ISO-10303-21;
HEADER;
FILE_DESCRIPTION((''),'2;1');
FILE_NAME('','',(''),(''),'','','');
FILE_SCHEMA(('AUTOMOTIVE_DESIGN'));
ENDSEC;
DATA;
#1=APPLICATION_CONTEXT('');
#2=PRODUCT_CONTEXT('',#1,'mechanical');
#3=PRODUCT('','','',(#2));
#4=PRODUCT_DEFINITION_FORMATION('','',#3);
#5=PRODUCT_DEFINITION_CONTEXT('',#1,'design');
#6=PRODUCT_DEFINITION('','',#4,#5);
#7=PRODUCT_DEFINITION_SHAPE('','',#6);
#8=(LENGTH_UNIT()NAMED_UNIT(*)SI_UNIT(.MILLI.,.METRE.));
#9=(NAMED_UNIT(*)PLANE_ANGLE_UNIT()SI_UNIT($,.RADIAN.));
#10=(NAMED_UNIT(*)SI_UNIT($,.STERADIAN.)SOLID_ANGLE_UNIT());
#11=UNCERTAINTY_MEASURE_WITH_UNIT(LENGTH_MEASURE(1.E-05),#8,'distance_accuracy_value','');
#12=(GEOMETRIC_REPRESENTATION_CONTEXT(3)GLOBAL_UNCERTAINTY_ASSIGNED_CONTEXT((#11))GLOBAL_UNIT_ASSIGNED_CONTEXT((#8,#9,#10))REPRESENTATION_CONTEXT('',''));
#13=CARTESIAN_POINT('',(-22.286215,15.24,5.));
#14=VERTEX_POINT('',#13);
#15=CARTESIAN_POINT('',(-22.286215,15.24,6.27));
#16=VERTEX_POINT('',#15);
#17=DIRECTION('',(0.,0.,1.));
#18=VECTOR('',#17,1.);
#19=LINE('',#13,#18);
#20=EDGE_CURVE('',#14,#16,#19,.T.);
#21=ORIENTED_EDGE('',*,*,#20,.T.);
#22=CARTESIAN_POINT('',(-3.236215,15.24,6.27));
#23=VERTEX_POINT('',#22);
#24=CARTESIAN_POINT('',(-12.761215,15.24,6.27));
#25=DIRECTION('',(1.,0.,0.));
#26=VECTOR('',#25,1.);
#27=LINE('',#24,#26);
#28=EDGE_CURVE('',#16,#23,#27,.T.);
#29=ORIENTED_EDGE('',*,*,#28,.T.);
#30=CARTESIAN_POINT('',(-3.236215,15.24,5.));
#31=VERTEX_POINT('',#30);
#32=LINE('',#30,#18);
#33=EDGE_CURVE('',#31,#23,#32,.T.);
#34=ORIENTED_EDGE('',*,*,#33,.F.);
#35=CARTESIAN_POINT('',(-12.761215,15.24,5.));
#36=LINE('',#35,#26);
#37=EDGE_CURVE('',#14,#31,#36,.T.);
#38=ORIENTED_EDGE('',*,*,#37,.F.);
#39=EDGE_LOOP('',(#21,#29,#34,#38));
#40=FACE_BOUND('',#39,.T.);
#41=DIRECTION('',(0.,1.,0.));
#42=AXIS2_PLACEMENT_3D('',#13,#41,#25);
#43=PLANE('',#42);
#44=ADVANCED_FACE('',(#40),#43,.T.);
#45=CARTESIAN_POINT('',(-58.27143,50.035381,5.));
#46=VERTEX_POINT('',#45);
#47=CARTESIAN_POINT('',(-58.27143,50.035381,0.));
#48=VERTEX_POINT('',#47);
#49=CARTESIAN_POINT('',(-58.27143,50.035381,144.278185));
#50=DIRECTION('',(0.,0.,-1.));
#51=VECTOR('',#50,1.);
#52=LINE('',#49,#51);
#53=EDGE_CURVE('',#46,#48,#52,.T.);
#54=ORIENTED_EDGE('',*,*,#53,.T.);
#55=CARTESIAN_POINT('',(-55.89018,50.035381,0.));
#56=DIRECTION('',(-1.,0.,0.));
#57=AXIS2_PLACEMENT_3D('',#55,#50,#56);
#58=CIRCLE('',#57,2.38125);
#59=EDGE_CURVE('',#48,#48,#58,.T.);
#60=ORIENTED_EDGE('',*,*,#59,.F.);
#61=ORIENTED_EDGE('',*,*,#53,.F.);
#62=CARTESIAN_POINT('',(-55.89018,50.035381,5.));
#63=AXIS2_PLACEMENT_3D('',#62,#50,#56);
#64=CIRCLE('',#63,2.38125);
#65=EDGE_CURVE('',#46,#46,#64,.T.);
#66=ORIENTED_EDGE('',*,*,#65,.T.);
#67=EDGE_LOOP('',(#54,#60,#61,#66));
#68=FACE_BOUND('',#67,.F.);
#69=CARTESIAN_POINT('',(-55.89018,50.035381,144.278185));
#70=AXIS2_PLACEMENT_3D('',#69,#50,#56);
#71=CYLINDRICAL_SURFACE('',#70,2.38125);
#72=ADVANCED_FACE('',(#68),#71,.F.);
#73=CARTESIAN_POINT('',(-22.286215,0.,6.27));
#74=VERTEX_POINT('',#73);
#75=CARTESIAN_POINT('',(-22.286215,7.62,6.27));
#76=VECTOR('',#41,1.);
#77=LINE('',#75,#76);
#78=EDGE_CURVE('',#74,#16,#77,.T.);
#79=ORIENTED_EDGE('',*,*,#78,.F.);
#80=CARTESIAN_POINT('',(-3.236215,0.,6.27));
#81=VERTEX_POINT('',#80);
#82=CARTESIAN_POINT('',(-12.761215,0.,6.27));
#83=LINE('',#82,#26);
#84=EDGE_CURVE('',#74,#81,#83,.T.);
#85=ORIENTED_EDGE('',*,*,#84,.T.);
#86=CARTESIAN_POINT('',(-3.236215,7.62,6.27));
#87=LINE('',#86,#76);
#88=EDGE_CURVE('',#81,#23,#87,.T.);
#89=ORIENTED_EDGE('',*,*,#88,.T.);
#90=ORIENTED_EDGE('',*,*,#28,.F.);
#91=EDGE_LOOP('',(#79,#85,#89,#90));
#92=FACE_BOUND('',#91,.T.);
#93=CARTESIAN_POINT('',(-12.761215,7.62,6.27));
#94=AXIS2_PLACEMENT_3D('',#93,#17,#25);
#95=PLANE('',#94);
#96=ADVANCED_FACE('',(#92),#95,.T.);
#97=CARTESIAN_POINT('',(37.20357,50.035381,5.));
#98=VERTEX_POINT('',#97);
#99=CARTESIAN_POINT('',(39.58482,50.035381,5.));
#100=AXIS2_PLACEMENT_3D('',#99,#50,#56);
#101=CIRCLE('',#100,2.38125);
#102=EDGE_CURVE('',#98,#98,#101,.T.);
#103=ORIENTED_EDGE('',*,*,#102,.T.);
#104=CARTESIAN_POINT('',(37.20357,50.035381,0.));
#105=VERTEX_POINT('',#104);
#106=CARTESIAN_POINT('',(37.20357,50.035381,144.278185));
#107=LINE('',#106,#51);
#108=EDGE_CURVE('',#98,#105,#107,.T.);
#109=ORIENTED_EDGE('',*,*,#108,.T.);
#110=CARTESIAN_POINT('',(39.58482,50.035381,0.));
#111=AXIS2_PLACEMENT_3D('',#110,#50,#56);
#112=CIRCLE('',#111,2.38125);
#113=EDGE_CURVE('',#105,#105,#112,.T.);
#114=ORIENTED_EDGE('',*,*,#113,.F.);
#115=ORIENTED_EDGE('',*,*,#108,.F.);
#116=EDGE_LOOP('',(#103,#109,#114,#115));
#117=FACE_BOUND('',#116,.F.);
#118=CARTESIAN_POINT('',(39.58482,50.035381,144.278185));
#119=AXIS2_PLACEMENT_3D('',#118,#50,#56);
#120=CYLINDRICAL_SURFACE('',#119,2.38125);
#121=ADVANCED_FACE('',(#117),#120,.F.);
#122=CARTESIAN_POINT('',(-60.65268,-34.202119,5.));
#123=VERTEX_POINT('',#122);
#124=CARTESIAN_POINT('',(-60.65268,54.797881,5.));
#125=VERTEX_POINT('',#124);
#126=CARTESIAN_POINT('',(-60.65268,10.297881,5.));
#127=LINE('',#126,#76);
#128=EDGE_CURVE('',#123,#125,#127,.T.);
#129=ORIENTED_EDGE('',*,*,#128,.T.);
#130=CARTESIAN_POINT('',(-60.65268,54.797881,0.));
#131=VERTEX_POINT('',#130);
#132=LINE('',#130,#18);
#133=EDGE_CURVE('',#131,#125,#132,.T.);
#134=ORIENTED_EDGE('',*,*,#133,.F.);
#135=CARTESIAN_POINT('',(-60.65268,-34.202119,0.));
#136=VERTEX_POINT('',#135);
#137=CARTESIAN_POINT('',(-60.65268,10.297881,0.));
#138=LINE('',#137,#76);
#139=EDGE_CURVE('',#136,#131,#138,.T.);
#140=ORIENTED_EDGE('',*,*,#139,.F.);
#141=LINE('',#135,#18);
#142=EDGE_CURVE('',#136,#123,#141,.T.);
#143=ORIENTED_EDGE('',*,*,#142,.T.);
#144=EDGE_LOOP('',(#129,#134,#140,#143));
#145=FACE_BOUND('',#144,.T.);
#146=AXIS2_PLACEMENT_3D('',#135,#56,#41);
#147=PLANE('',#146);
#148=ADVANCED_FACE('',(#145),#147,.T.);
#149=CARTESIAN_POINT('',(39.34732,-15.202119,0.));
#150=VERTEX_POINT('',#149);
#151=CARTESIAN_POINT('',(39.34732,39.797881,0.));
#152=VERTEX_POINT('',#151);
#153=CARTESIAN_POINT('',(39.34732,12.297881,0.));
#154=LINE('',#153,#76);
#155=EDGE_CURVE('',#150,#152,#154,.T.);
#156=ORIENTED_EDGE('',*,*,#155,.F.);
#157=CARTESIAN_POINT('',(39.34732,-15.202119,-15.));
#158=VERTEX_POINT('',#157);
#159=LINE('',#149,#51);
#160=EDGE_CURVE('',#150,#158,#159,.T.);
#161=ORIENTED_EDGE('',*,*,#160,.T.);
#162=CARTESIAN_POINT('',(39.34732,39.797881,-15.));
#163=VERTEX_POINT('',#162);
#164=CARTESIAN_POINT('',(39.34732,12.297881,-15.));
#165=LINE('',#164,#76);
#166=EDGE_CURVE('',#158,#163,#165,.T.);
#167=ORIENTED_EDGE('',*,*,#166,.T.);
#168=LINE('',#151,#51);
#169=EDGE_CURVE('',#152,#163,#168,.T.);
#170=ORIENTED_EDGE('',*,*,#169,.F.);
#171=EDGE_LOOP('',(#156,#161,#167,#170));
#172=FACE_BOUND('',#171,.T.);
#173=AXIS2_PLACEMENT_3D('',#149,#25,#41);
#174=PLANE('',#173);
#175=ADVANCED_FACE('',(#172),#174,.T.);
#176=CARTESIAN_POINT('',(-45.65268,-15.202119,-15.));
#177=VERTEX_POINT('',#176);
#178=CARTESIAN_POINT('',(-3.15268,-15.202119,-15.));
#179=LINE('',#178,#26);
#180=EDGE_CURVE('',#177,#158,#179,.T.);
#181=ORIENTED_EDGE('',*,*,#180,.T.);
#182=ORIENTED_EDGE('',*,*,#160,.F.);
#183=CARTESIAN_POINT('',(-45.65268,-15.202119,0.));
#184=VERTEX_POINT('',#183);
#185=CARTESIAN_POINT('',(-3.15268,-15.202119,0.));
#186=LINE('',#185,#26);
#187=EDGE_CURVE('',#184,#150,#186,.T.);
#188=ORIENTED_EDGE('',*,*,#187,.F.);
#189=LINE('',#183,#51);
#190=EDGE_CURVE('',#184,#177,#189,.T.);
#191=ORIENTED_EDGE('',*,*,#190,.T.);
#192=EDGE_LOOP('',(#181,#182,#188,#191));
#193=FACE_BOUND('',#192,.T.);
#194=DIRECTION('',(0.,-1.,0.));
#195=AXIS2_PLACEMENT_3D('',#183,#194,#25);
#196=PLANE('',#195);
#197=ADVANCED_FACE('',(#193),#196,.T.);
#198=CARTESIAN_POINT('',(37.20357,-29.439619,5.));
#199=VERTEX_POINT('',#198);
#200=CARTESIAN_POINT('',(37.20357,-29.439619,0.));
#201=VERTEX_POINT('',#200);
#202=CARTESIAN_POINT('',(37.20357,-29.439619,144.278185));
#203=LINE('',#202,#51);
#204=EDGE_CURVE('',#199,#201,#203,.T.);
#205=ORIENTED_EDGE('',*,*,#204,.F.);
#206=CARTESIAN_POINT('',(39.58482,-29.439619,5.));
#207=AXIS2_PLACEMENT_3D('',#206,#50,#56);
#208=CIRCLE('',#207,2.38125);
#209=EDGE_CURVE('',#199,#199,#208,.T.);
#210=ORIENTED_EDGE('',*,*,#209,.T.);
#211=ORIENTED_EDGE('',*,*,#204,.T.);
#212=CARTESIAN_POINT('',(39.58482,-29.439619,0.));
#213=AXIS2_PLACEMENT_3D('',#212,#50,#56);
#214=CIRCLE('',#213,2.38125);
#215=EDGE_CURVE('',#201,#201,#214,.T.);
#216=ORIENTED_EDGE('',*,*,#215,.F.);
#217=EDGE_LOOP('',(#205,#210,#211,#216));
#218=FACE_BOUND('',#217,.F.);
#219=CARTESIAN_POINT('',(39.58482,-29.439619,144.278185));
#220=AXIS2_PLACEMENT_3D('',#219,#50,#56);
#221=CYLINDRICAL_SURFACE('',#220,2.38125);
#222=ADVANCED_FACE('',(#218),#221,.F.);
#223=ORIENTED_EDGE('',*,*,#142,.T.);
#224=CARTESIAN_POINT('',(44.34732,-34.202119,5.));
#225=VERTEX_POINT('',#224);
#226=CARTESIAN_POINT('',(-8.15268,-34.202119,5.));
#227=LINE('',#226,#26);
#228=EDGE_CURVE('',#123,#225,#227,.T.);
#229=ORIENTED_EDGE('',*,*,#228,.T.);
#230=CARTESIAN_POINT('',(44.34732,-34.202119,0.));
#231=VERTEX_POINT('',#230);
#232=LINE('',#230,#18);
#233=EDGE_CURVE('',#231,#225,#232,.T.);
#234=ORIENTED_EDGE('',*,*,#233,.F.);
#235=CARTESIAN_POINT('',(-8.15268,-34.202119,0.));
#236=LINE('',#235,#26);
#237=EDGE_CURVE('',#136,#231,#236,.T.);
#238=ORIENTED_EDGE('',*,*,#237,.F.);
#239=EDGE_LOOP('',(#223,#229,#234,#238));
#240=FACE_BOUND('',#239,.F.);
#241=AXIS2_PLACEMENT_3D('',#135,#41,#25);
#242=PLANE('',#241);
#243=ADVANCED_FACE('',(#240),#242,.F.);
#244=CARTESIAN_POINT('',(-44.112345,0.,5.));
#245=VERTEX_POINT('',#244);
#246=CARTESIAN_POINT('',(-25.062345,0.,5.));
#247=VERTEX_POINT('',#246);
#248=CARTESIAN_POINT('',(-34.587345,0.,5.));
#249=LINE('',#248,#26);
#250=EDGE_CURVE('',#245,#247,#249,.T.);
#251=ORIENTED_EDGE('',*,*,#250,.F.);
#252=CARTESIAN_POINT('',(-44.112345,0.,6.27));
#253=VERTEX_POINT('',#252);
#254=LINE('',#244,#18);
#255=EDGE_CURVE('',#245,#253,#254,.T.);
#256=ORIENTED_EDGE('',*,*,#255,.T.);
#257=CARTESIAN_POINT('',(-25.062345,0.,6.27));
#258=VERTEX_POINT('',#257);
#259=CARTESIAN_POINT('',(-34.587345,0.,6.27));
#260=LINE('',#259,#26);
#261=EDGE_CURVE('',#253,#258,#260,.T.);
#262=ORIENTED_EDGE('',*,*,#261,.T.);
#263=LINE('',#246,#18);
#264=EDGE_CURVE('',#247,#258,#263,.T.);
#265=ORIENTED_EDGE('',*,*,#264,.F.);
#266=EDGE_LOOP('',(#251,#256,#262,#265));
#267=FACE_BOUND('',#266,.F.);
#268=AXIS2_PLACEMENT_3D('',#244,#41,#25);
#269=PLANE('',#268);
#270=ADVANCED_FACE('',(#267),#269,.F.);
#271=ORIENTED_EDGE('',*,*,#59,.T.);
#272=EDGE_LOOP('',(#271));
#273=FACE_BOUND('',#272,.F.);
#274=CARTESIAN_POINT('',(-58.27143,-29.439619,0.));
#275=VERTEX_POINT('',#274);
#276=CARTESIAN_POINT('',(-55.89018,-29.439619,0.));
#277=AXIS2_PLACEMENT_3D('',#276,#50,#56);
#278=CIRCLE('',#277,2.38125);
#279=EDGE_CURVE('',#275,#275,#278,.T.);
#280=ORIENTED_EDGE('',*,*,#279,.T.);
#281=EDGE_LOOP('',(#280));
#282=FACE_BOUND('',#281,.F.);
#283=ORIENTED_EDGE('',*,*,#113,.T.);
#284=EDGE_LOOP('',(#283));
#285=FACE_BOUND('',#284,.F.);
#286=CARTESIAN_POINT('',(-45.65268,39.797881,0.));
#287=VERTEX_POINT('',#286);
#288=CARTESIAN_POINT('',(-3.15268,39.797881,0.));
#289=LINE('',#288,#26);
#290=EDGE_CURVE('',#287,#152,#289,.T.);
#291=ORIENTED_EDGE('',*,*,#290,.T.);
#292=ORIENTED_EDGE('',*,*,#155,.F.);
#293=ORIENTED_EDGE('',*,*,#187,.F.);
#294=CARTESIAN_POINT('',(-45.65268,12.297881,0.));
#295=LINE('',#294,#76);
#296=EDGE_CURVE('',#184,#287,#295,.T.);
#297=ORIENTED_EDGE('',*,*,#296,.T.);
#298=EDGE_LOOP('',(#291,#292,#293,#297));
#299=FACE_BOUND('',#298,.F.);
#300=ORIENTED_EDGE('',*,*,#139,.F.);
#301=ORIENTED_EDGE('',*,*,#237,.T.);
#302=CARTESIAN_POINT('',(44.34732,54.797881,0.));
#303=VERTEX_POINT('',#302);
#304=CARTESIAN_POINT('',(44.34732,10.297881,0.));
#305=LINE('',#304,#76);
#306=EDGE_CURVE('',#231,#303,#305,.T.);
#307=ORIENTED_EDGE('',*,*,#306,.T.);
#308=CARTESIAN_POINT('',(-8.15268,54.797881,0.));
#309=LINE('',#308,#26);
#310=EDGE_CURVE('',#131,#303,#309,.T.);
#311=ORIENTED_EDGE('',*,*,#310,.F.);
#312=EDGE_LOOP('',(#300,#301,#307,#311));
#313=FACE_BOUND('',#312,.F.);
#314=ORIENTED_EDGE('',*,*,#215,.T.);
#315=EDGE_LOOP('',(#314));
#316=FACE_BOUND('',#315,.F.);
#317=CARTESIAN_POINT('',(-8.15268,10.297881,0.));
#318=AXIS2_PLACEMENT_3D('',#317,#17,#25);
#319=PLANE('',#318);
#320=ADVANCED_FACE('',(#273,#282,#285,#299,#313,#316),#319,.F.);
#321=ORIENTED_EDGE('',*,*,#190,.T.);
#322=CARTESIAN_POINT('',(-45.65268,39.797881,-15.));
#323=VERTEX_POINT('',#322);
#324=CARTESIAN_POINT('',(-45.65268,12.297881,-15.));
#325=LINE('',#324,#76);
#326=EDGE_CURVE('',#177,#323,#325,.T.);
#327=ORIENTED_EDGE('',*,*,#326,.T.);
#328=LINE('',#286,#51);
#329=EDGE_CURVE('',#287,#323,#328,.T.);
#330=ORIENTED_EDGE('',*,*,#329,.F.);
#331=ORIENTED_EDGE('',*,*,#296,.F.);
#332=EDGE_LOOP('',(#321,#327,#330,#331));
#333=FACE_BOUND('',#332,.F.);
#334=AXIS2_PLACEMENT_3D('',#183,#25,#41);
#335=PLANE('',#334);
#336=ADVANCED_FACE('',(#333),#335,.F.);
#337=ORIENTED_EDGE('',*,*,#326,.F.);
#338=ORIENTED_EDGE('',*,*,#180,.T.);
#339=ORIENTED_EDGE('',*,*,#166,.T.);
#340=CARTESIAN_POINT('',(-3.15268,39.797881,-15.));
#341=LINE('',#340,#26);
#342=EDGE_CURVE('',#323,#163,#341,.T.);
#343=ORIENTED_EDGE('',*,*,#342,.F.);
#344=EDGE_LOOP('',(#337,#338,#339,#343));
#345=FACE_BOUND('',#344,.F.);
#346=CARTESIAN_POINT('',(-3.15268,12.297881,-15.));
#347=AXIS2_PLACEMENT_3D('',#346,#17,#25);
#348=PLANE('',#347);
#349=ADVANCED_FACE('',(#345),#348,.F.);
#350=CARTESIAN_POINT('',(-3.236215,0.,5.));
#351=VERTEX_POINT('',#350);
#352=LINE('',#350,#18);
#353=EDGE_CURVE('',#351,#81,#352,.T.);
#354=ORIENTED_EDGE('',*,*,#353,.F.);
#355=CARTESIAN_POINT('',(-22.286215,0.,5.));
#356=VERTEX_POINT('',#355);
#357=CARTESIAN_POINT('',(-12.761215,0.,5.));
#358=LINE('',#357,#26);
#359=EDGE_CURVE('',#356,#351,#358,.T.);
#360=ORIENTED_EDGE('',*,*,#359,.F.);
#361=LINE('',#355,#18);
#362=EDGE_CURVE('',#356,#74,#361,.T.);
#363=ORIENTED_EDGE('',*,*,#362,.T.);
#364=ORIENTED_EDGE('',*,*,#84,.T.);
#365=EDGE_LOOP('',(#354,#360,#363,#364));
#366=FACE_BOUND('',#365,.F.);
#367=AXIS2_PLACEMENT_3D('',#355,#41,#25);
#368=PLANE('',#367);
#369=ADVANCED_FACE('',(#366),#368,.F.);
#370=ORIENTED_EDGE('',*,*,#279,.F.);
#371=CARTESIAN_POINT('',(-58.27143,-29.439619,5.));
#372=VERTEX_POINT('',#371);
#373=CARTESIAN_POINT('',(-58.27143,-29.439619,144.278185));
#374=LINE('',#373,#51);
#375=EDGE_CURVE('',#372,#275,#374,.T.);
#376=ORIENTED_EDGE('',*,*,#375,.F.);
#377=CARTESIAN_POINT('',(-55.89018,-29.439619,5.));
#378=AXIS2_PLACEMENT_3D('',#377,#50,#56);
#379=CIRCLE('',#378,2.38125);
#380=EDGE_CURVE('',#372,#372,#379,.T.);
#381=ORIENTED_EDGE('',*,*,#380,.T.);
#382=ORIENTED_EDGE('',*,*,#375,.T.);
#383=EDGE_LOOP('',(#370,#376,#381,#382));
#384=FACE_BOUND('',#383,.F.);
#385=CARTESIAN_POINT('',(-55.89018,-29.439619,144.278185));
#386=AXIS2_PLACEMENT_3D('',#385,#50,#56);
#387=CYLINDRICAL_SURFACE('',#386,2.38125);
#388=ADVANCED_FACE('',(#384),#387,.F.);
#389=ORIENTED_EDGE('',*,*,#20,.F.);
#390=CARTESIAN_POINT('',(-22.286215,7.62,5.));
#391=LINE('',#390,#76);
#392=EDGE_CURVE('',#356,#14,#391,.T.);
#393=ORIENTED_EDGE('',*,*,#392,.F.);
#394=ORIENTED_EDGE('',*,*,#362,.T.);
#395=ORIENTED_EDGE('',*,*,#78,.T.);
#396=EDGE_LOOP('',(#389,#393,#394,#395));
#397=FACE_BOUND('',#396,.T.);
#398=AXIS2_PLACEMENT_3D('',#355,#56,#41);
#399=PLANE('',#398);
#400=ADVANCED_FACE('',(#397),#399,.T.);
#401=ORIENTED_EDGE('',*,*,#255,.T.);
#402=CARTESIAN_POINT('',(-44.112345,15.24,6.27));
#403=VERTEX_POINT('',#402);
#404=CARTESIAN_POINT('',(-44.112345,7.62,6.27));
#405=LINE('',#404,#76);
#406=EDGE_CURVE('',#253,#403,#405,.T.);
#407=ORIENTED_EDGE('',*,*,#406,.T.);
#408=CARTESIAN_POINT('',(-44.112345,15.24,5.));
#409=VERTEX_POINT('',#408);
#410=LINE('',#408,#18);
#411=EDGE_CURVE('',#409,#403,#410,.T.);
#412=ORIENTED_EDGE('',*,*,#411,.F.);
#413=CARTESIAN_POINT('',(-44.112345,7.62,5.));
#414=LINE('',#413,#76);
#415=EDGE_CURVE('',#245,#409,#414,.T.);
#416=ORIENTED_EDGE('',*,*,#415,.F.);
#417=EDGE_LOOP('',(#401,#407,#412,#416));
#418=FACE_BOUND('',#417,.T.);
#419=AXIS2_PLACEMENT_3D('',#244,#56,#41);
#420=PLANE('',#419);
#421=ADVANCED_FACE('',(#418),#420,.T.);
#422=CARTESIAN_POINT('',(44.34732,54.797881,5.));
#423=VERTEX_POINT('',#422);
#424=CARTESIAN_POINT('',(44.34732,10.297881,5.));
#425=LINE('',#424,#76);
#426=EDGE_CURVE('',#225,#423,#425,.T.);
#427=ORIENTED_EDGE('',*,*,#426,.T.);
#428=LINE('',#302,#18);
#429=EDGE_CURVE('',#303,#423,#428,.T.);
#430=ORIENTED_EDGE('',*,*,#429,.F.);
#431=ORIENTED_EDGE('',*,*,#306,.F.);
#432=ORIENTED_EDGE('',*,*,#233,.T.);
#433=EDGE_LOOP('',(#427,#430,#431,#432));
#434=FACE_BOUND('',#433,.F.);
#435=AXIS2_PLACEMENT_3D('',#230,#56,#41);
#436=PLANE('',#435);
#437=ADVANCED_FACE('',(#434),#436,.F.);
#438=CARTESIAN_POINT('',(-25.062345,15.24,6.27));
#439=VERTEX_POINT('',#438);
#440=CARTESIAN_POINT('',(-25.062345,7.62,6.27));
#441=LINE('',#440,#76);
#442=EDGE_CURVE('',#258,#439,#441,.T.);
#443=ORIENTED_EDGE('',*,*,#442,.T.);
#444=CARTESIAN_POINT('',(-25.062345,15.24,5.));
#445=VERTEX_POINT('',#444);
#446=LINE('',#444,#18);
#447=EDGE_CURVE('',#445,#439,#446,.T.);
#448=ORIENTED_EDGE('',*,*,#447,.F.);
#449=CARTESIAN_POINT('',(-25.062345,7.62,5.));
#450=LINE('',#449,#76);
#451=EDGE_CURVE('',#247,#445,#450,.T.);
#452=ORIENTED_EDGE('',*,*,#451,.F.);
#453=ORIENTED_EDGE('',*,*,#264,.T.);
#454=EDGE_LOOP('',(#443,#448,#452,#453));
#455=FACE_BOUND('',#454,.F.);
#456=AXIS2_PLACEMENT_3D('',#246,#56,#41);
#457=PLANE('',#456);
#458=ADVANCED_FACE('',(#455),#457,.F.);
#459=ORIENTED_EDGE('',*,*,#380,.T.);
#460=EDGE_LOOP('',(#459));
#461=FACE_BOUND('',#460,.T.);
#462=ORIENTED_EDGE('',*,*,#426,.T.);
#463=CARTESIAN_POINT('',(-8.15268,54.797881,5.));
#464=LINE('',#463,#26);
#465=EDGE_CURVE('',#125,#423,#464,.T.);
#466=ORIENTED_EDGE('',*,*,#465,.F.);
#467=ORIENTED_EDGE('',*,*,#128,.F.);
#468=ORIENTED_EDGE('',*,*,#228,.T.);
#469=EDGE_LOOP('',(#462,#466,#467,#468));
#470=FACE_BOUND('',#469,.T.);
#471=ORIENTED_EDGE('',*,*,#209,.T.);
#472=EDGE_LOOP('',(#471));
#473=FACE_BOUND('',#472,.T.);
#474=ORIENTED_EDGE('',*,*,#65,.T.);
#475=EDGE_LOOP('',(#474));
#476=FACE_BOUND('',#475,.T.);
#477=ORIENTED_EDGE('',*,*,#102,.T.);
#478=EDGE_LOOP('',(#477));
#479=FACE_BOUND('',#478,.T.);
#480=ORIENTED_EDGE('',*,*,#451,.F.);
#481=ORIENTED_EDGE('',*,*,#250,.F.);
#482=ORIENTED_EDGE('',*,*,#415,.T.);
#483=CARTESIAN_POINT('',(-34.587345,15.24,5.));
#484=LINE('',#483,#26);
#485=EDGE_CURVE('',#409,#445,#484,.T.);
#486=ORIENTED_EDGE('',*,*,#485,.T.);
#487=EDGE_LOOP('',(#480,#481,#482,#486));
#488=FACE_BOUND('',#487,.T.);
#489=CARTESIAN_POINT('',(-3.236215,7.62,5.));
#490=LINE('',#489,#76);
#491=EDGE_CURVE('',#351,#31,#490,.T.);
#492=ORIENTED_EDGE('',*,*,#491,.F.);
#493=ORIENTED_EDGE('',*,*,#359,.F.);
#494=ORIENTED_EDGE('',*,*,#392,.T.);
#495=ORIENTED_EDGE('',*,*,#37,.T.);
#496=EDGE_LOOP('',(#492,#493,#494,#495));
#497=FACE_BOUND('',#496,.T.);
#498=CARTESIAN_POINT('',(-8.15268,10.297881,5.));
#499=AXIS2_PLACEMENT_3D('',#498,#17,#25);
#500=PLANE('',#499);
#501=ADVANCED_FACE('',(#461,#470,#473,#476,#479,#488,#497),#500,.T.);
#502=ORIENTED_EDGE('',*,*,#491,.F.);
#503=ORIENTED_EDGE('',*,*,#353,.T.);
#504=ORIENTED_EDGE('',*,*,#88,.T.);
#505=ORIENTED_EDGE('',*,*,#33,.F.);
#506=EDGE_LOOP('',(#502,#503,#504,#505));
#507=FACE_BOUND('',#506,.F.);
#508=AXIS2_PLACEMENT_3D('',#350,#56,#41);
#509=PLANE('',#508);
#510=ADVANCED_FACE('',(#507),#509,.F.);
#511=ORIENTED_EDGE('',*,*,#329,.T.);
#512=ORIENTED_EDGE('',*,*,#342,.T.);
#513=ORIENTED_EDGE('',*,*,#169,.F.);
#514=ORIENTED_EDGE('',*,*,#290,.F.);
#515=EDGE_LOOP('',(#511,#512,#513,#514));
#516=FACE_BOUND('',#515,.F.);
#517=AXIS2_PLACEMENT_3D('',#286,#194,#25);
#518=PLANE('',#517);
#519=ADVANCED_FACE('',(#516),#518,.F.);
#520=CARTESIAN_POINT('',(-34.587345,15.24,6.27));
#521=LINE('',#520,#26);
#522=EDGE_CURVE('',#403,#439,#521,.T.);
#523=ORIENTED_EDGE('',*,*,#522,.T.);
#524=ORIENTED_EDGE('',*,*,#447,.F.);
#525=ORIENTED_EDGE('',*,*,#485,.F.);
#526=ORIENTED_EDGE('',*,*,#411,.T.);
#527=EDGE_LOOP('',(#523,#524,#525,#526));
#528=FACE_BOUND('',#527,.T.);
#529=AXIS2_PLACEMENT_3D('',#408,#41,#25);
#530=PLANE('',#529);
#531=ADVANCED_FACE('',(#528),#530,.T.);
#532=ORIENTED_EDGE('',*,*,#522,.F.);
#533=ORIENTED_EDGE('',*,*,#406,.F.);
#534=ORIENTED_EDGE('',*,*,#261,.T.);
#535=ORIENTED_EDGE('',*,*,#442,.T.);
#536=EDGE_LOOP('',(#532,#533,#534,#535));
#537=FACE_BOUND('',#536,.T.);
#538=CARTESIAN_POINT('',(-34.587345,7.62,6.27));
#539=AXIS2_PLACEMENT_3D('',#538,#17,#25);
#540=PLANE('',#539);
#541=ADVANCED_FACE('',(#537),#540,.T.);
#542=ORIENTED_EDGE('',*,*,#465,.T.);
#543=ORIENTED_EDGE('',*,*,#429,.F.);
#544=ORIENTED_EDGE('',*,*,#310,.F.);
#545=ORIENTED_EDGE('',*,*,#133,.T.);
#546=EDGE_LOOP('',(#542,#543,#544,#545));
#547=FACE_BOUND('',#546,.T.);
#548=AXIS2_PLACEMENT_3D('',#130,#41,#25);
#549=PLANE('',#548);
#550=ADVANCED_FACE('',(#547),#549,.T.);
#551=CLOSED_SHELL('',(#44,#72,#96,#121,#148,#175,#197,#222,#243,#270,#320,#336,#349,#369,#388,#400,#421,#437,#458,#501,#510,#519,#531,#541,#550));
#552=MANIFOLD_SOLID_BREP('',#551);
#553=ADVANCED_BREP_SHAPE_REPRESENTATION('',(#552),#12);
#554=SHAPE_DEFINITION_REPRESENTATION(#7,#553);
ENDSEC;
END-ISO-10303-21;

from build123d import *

# Parameters (mm, degrees)
F0_W     = 105
F0_H     = 89
F2_DEPTH = 5
F1_W     = 85
F1_H     = 55
F3_DEPTH = 15
F4_W     = 19.05
F4_H     = 15.24
F5_DEPTH = 1.27
F7_D     = 4.7625


with BuildPart() as f2:
    # F0 (on Top) → F2 (new body)
    with BuildSketch(Plane.XY):
        with Locations((-8.15268, 10.297881)):
            Rectangle(F0_W, F0_H)
    extrude(amount=F2_DEPTH)

    # F1 (on face) → F3 (join)
    with BuildSketch(Plane.XY):
        with Locations((-3.15268, 12.297881)):
            Rectangle(F1_W, F1_H)
    extrude(amount=-F3_DEPTH)

    # F4 (on face) → F5 (join)
    with BuildSketch(Plane.XY.offset(5)):
        with Locations((-34.587345, 7.62)):
            Rectangle(F4_W, F4_H)
        with Locations((-12.761215, 7.62)):
            Rectangle(F4_W, F4_H)
    extrude(amount=F5_DEPTH)

    # F7 (through all)
    with Locations(Plane.XY.offset(5)):
        with Locations((-55.89018, 50.035381), (-55.89018, -29.439619), (39.58482, 50.035381), (39.58482, -29.439619)):
            Hole(F7_D / 2)


solid = f2.part
